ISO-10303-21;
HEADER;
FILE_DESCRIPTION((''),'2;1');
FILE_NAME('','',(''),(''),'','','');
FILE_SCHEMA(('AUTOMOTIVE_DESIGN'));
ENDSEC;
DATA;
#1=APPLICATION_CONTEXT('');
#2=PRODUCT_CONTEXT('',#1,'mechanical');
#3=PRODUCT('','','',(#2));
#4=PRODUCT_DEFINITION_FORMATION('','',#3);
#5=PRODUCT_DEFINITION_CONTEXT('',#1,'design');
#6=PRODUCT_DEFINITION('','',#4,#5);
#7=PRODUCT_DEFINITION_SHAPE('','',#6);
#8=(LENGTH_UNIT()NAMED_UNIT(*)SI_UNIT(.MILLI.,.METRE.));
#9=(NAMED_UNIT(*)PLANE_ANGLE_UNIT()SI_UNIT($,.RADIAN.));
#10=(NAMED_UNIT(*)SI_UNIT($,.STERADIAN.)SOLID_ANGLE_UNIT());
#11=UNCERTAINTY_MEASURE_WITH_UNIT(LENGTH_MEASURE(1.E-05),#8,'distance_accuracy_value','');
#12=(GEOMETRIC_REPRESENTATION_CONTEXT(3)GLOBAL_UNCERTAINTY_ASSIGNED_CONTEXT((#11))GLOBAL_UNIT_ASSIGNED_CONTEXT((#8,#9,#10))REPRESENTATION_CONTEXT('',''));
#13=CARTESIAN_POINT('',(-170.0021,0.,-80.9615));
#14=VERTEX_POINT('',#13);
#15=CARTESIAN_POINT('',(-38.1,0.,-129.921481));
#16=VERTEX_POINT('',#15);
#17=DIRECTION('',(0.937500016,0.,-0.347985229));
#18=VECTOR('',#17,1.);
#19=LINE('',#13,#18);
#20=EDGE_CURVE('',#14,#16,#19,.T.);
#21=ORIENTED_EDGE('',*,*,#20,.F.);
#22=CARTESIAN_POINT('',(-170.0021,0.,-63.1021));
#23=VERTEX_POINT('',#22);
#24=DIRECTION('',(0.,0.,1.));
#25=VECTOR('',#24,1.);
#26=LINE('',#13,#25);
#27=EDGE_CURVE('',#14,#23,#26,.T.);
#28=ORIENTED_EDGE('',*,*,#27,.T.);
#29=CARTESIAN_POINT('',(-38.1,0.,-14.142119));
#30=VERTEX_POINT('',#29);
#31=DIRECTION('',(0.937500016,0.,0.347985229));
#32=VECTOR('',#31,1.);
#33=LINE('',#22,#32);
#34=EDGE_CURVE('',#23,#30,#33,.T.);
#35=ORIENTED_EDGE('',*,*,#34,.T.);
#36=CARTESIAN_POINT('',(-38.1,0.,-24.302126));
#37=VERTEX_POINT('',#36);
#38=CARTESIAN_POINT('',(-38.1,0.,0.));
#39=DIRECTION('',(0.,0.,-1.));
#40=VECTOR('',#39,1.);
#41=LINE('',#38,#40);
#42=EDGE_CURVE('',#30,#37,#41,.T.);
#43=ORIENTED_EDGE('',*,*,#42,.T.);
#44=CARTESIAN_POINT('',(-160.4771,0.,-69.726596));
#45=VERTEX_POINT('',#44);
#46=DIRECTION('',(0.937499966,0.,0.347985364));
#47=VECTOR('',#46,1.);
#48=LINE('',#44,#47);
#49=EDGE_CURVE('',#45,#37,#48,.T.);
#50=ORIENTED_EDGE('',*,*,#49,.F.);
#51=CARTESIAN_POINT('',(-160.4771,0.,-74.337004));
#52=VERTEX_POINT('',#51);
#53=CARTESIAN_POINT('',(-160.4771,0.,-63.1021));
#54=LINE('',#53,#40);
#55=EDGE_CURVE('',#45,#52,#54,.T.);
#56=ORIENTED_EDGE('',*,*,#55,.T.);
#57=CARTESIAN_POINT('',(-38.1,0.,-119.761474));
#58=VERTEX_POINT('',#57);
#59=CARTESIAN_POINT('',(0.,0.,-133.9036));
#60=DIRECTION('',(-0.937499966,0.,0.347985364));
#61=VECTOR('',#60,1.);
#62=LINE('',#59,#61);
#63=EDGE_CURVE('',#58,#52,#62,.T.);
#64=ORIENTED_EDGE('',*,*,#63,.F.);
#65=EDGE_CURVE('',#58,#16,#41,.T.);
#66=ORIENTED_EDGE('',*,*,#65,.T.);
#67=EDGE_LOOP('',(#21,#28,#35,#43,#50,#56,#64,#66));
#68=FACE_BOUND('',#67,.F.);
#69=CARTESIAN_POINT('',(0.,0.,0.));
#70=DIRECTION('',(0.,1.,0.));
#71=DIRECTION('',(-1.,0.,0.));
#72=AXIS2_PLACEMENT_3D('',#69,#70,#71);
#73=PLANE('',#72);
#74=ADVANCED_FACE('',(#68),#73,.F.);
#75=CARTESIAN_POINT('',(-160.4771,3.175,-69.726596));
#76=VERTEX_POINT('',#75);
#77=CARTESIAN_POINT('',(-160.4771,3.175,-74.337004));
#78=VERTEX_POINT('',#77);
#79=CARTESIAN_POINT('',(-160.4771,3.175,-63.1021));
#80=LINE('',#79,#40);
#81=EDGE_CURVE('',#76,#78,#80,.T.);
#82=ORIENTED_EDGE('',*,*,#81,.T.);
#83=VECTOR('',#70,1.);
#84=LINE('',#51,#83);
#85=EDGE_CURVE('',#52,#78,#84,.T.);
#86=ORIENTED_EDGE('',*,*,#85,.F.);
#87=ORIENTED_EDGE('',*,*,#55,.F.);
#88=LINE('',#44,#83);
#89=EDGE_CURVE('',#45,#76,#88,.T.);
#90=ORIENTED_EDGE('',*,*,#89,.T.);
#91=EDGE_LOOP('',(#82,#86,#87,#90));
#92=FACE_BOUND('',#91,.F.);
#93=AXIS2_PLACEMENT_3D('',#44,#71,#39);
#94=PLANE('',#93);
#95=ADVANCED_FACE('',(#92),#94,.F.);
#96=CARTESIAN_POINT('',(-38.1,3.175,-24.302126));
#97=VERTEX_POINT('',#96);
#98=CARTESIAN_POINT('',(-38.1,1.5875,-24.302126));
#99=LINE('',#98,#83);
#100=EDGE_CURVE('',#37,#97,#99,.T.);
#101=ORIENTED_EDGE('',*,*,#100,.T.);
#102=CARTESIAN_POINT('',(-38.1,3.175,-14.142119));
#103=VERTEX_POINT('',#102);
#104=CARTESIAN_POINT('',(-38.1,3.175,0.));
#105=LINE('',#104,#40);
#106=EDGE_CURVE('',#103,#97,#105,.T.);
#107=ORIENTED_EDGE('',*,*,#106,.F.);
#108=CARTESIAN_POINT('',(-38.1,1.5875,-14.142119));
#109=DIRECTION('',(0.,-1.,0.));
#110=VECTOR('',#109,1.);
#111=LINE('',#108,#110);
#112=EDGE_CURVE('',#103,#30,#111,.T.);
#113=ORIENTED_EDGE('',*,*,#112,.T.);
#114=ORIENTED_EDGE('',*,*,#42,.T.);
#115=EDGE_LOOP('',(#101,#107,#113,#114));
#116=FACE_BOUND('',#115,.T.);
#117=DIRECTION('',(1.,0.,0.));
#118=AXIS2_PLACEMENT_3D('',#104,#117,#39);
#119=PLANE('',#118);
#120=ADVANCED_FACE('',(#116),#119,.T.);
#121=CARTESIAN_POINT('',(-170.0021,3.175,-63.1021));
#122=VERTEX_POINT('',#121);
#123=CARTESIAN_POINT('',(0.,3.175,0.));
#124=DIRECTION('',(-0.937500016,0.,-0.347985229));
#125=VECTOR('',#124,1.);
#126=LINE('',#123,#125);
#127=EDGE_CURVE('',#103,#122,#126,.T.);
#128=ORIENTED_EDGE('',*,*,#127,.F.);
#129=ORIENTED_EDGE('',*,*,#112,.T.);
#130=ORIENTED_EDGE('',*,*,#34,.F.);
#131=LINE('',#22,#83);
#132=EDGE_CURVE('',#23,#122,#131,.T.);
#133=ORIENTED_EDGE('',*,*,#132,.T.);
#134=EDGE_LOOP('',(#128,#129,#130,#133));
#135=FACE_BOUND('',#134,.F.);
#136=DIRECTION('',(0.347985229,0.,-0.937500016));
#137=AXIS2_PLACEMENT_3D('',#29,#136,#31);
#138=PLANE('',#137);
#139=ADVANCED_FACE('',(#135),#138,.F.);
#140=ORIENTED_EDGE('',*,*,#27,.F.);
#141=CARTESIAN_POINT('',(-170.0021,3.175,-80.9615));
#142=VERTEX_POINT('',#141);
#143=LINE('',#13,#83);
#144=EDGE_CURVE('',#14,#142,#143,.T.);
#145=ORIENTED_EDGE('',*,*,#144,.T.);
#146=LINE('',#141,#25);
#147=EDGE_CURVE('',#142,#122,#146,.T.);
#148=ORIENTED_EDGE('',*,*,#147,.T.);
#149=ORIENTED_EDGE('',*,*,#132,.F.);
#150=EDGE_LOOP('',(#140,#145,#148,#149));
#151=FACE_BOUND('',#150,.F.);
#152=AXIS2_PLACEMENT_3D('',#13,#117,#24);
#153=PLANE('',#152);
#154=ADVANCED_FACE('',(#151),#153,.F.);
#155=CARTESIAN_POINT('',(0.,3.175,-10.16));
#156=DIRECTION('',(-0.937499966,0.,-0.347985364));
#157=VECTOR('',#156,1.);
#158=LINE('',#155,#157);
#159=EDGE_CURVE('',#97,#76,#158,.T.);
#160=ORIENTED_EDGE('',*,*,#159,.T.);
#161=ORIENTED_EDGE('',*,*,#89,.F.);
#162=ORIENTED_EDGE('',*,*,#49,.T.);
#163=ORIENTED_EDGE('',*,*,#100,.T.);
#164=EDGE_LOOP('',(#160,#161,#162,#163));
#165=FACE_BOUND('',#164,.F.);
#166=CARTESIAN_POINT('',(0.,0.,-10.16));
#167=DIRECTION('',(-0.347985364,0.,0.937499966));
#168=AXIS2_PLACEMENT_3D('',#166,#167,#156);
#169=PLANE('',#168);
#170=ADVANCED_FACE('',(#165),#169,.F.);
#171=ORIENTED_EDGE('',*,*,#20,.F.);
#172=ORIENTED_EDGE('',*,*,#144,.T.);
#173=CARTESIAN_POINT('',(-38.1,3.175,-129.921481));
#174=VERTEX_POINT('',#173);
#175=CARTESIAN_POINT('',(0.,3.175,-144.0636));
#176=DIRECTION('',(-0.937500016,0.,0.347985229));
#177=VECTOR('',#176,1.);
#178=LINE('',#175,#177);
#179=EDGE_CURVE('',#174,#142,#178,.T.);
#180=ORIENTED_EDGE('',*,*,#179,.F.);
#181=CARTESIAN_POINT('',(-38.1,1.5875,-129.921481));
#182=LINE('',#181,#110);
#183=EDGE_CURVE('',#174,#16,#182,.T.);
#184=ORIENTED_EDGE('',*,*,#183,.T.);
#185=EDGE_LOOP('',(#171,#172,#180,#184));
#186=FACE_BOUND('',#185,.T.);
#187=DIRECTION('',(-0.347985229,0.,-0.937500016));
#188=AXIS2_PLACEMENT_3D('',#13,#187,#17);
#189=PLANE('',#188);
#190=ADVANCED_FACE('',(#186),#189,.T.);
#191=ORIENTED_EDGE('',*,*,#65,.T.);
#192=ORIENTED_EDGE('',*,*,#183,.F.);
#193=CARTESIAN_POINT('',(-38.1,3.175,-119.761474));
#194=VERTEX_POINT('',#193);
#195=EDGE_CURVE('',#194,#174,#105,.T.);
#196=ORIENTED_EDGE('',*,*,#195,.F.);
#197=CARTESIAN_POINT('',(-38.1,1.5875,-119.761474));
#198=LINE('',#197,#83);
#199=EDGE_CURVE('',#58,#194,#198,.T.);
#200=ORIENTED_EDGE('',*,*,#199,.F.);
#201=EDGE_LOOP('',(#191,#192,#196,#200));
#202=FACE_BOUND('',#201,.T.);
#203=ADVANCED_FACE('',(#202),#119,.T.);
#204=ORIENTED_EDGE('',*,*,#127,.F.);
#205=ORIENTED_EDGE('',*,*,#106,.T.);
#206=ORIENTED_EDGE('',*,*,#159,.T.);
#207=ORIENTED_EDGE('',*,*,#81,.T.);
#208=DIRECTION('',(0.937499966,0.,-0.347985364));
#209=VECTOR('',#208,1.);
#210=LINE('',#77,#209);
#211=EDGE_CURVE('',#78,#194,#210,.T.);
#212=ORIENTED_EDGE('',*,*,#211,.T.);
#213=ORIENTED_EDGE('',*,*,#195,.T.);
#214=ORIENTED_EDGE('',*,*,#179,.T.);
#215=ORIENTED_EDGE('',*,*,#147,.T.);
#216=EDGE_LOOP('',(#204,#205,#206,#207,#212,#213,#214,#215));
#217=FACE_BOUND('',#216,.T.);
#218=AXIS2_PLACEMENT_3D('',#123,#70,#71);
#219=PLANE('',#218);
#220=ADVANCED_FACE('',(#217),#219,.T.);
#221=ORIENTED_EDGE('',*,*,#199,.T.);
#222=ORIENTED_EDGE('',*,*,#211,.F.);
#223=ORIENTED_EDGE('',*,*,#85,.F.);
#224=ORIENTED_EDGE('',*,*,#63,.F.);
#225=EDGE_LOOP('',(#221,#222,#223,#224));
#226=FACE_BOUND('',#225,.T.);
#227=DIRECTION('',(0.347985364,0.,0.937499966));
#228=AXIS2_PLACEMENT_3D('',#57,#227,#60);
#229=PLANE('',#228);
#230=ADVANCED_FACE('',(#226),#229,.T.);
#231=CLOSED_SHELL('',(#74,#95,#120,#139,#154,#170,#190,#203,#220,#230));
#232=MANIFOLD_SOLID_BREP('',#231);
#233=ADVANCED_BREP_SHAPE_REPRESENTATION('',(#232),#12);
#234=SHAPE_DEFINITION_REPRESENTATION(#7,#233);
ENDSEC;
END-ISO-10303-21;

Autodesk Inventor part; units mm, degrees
ref_plane "YZ Plane" through (0, 0, 0) normal (1, 0, 0) x (0, 1, 0)
ref_plane "XZ Plane" through (0, 0, 0) normal (0, 1, 0) x (-1, 0, 0)
ref_plane "XY Plane" through (0, 0, 0) normal (0, 0, 1) x (1, 0, 0)
sketch "Sketch1" plane through (0, 0, 0) normal (0, 1, 0) x (-1, 0, 0)
  line L0 (0, 0) -> (0, -10.16)
  line L1 (0, -10.16) -> (166.6875, -72.0318)
  line L2 (166.6875, -72.0318) -> (170.0021, -63.1021)
  line L3 (170.0021, -63.1021) -> (0, 0)
  line L4 (0, -133.9036) -> (166.6875, -72.0318)
  line L5 (170.0021, -80.9615) -> (0, -144.0636)
  line L6 (0, -144.0636) -> (0, -133.9036)
  line L7 (166.6875, -72.0318) -> (170.0021, -80.9615)
  line L8 (170.0021, -63.1021) -> (160.4771, -63.1021)
  line L9 (160.4771, -63.1021) -> (160.4771, -80.9615)
  line L10 (160.4771, -80.9615) -> (170.0021, -80.9615)
  line L11 (170.0021, -80.9615) -> (170.0021, -63.1021)
  line L12 (0, 0) -> (38.1, 0)
  line L13 (38.1, 0) -> (38.1, -144.0636)
  line L14 (38.1, -144.0636) -> (0, -144.0636)
  line L15 (0, -144.0636) -> (0, 0)
  point P0 (160.4771, -69.7266)
  point P1 (160.4771, -74.337)
  dimension "d0" = 10.16
  dimension "d1" = 9.525
  dimension "d2" = 177.8
  dimension "d3" = 177.8
  dimension "d4" = 10.16
  dimension "d5" = 9.525
  dimension "d6" = 9.525
  dimension "d9" = 38.1
extrude "Extrusion1" add sketch "Sketch1" along normal blind 3.175 contours L3 L13 L1 L0 | L3 L8 L9 L1 L13 | L4 L13 L5 L6 | L11 L7 L2 | L2 L1 L9 L8 | L1 L4 L9 | L4 L9 L10 L5 L13 | L7 L10 L9 L4
sketch "Sketch2" plane through (0, 3.175, 0) normal (0, 1, 0) x (1, 0, 0)
  line L0 (0, 0) -> (0, 10.16) projected
  line L1 (0, 0) -> (-38.1, 0)
  line L2 (-38.1, 0) -> (-38.1, 144.0636)
  line L3 (-38.1, 144.0636) -> (0, 144.0636)
  line L4 (0, 144.0636) -> (0, 0)
  dimension "d10" = 38.1
extrude "Extrusion2" cut sketch "Sketch2" against normal blind 3.175
properties part number "Projectile Launcher Back" material "Wood (Birch)"
